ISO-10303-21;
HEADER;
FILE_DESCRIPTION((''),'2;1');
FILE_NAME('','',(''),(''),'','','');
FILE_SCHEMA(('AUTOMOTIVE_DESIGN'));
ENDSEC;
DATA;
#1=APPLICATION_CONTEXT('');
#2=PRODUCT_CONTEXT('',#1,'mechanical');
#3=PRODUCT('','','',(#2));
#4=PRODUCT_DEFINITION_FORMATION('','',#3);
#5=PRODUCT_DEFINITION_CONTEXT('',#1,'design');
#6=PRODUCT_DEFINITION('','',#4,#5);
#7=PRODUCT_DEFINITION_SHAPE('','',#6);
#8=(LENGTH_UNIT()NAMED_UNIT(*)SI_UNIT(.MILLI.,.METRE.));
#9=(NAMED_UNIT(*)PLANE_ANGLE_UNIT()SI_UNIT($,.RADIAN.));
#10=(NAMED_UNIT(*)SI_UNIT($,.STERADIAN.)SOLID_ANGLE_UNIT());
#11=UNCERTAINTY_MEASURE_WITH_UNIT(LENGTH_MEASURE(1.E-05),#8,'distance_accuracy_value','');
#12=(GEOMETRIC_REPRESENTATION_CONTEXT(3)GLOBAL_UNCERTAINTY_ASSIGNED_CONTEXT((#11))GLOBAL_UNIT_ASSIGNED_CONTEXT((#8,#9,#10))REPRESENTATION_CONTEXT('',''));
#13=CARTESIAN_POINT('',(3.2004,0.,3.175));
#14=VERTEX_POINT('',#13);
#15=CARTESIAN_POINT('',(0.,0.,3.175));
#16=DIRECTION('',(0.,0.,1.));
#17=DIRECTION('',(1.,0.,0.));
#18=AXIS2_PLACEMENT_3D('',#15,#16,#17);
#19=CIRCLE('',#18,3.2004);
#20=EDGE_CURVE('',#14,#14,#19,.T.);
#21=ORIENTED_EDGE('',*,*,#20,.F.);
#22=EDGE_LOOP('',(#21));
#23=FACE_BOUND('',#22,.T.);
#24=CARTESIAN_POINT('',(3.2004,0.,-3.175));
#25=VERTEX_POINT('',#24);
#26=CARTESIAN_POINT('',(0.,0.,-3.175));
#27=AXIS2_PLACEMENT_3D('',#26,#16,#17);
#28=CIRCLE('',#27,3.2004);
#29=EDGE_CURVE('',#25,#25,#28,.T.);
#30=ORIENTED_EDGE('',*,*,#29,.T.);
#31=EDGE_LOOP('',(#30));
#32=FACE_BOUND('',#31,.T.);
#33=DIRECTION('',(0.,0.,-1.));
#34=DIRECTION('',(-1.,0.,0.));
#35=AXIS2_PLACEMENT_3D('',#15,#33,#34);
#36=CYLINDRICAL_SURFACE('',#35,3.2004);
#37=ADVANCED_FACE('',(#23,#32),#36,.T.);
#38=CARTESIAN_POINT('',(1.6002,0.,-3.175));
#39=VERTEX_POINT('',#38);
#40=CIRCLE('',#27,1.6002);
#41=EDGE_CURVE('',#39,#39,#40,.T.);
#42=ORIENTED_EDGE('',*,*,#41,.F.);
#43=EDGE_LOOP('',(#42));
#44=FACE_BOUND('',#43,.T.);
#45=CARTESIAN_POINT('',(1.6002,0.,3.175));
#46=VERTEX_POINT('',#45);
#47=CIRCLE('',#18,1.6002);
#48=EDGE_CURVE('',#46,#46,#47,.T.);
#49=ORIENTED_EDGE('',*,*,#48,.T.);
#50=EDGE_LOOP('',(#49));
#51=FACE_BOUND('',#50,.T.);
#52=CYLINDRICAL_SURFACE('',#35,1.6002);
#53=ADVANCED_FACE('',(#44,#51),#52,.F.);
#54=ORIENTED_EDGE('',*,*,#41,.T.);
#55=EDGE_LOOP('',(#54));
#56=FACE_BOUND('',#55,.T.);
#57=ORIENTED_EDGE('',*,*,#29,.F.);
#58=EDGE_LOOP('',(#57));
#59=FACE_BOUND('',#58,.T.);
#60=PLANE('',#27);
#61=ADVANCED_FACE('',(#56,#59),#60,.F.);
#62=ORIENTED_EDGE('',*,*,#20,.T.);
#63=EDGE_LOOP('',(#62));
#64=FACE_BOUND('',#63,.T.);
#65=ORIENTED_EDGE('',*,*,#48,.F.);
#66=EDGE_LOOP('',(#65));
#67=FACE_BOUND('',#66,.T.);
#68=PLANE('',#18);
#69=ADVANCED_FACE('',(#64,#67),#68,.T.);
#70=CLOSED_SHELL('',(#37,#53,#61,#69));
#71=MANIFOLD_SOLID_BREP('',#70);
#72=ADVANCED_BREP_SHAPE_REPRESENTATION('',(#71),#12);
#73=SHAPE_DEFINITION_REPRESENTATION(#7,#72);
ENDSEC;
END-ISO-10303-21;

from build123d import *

# Parameters (mm, degrees)
SKETCH5_R                = 3.2004
SKETCH5_R_2              = 1.6002
BOSS_EXTRUDE1_DEPTH      = 3.175
BOSS_EXTRUDE1_DEPTH_BACK = 3.175


with BuildPart() as part:
    # Sketch5 → Boss-Extrude1 (new body, two sides)
    with BuildSketch(Plane.XY) as boss_extrude1_sk:
        Circle(SKETCH5_R)
        Circle(SKETCH5_R_2, mode=Mode.SUBTRACT)
    extrude(amount=BOSS_EXTRUDE1_DEPTH)
    extrude(boss_extrude1_sk.sketch, amount=-BOSS_EXTRUDE1_DEPTH_BACK)


solid = part.part
